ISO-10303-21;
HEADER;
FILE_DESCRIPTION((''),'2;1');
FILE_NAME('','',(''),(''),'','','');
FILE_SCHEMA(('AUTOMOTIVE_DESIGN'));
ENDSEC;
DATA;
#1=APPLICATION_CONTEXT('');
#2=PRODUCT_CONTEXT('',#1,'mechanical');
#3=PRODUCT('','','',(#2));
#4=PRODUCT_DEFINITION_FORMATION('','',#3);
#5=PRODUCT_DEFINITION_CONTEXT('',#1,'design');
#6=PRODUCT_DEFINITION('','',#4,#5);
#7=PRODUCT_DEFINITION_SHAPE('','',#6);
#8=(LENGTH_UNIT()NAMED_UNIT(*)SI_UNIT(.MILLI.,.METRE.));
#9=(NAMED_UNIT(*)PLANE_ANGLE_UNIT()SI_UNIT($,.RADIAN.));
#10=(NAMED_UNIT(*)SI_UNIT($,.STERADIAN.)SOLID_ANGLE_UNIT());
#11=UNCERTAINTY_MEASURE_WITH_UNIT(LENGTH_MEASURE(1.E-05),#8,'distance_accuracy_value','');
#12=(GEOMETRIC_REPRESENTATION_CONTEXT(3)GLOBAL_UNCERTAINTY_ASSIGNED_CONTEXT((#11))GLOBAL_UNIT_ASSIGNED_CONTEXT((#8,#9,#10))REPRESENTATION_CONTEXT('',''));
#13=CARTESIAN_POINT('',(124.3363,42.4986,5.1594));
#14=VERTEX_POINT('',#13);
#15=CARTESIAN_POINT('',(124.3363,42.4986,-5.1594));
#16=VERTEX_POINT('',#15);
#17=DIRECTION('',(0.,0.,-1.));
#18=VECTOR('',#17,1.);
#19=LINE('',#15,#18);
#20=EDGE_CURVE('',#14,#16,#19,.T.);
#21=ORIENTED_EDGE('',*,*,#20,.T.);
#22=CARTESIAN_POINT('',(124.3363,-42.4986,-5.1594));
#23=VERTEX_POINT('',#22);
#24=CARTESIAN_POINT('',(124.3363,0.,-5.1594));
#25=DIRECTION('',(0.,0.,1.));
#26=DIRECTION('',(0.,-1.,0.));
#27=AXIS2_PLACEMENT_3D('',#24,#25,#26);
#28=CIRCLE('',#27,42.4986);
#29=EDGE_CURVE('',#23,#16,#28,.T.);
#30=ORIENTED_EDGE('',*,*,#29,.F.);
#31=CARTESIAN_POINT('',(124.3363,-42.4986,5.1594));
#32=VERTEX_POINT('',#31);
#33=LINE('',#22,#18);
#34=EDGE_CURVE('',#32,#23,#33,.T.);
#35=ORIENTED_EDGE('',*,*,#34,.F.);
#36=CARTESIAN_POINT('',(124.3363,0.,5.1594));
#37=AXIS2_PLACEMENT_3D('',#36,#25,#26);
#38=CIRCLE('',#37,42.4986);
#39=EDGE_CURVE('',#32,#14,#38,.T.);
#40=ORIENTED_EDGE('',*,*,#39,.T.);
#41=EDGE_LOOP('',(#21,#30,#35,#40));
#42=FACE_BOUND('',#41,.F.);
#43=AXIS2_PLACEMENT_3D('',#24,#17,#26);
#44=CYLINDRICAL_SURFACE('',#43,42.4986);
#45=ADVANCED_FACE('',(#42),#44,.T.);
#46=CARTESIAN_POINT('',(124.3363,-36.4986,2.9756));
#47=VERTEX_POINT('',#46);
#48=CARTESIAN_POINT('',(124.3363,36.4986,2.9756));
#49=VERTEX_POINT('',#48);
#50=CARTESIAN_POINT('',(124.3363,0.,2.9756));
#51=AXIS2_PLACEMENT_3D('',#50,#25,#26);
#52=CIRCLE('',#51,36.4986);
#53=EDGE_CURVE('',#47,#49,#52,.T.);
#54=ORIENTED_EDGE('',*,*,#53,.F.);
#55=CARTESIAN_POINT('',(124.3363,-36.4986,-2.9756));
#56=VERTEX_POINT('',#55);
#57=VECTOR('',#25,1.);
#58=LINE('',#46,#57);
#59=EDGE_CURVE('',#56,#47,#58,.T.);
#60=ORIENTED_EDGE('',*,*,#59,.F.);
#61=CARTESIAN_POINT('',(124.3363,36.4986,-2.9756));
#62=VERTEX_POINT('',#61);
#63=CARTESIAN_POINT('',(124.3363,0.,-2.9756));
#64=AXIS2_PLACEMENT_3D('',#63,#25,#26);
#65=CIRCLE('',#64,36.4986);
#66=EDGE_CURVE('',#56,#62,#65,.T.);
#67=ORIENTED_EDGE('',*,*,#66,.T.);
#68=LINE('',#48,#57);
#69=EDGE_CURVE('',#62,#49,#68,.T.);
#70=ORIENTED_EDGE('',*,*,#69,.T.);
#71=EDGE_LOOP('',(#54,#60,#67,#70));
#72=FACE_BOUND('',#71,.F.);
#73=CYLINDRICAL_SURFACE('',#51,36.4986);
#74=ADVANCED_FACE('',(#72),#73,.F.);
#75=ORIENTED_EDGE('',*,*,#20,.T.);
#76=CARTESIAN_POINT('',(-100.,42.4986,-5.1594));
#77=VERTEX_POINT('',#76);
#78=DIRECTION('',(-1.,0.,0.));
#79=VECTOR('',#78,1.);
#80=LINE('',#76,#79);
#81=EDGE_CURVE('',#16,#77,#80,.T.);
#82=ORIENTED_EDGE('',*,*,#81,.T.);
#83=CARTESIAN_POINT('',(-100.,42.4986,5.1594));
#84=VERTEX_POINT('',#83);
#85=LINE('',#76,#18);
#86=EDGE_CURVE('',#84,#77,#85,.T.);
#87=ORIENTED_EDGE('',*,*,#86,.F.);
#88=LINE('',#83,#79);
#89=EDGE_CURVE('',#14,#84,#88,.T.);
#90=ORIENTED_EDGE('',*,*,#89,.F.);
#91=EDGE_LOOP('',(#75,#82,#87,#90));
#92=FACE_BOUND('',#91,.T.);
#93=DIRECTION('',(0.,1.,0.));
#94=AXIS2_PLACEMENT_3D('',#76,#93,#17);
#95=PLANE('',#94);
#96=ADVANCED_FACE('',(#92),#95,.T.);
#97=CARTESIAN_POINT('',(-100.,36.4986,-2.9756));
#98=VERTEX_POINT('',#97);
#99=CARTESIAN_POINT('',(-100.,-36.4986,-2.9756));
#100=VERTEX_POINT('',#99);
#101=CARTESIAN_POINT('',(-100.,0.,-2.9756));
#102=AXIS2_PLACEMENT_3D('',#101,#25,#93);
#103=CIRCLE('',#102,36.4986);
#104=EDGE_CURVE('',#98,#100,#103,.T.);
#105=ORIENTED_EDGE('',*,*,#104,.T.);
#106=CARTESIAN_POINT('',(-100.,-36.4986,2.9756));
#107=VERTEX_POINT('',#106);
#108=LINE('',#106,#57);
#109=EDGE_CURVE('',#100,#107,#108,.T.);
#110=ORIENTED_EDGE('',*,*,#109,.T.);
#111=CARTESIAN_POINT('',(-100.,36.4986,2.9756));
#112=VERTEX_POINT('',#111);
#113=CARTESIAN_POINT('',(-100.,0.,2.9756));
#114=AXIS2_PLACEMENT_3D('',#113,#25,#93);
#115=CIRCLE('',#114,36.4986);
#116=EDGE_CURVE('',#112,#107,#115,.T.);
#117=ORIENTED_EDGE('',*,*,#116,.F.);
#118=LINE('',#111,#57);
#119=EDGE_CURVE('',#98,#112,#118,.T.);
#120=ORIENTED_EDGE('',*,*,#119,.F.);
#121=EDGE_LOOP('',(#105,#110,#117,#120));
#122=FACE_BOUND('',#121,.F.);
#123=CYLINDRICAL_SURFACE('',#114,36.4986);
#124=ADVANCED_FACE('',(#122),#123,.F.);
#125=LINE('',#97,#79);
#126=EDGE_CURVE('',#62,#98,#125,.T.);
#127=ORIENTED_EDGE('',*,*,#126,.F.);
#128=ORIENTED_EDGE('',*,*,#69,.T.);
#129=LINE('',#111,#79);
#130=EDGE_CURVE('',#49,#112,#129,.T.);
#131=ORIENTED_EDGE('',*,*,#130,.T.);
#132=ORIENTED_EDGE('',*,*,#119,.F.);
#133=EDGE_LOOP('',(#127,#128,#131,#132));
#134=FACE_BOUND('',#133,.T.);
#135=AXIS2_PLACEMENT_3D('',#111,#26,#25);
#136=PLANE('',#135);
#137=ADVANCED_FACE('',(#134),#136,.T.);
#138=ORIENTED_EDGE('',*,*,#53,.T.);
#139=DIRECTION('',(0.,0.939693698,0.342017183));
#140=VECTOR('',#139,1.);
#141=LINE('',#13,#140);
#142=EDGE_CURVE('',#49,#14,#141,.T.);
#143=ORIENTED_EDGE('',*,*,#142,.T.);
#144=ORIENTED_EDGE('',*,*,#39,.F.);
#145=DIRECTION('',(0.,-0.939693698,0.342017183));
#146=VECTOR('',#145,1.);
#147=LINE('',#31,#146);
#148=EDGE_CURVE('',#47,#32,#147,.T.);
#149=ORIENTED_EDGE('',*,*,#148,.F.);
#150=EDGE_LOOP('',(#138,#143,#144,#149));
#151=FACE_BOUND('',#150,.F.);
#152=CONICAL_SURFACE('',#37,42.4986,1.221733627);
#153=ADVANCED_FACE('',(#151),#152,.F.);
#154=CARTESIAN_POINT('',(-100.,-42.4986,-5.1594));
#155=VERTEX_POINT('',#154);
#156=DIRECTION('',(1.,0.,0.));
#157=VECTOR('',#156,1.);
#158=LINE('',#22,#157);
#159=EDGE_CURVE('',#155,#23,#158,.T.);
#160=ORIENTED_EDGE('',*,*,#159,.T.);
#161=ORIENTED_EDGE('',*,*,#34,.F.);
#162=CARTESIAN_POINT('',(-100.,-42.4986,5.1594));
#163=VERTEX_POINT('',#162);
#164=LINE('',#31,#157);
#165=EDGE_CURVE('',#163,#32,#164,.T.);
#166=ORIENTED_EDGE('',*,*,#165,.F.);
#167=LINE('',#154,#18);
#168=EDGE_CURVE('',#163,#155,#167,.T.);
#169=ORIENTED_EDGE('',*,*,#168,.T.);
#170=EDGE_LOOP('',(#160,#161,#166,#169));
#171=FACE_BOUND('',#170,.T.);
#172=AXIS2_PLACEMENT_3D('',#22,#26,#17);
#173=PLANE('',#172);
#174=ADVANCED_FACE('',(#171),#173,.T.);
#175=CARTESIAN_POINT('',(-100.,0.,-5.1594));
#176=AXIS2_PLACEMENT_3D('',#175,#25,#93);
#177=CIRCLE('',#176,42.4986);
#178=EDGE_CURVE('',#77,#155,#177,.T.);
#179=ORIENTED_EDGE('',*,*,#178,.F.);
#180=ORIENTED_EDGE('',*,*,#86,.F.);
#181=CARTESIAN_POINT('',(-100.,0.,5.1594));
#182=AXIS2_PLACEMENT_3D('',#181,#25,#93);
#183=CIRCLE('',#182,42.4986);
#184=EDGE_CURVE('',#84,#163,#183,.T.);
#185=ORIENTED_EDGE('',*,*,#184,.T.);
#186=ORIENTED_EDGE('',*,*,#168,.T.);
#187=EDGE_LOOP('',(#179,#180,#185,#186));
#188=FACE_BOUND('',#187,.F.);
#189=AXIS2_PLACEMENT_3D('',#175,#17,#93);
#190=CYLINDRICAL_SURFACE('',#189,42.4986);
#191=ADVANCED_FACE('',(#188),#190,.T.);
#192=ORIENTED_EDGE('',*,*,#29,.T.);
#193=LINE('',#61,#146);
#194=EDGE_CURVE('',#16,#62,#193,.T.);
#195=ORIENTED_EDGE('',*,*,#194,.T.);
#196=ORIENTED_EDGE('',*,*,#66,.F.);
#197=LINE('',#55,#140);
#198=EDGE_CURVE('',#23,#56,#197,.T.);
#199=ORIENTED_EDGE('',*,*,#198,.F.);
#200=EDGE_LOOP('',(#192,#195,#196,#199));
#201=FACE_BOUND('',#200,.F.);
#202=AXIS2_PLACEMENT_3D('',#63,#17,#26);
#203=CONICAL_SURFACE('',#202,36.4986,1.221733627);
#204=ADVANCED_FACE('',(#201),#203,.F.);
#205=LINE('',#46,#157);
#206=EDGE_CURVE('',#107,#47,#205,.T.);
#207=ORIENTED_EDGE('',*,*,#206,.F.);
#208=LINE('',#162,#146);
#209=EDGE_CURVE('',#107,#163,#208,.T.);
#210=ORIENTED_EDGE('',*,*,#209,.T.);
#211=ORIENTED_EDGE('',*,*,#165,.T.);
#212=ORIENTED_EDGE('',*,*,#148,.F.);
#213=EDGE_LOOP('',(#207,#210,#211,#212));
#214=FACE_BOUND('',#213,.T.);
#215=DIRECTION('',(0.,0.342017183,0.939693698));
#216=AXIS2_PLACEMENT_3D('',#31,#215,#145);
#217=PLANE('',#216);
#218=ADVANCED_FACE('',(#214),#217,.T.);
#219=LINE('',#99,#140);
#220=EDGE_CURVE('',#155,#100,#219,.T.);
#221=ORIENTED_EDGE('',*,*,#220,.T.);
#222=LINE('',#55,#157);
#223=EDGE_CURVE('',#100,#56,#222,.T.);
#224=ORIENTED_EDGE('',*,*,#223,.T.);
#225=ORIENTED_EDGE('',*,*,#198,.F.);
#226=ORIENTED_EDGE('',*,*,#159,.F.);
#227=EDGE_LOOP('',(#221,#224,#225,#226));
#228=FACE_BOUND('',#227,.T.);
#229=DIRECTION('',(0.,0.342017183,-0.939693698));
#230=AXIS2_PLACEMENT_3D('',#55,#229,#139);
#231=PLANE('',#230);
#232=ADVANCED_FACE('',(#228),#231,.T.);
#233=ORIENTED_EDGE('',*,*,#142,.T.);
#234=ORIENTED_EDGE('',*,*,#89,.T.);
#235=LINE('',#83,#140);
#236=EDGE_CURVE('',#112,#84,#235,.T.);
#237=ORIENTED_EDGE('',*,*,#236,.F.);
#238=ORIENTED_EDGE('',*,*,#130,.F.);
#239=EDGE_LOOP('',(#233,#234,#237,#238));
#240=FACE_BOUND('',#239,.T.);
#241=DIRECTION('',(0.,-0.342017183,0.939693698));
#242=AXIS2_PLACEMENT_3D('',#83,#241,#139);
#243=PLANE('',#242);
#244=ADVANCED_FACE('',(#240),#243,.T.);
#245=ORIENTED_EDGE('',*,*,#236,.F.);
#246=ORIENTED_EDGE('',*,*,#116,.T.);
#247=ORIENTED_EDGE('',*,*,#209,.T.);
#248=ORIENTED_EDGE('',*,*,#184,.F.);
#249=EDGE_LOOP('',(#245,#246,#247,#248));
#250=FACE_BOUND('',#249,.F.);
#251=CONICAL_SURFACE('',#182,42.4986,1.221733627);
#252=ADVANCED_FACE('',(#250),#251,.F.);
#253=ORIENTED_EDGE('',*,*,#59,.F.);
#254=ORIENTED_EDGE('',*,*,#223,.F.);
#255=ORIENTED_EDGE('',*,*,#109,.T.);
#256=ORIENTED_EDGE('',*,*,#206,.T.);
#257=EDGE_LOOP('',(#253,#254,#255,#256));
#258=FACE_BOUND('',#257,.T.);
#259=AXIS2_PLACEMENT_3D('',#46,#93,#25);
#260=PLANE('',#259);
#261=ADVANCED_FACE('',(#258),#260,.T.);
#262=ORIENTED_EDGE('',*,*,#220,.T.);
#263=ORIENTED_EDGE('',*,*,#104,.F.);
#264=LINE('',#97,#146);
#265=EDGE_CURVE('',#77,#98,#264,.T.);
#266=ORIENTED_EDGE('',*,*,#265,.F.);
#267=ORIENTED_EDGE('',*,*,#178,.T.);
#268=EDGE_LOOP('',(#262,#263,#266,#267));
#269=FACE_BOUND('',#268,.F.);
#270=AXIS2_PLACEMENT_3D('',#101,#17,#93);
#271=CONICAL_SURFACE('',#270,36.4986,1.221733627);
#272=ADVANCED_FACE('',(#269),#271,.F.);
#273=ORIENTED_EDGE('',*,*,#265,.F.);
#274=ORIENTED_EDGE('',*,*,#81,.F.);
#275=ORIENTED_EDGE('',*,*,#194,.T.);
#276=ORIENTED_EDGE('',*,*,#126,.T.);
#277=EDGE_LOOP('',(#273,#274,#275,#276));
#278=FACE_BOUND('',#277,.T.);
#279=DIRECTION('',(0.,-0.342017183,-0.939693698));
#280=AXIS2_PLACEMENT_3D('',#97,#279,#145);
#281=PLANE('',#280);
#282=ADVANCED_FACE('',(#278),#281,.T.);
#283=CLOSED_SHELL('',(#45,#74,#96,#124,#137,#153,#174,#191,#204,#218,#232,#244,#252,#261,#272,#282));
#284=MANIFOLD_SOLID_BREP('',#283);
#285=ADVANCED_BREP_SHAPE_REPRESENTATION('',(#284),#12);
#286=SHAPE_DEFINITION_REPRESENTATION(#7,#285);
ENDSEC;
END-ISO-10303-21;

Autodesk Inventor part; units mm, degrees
ref_plane "YZ Plane" through (0, 0, 0) normal (1, 0, 0) x (0, 1, 0)
ref_plane "XZ Plane" through (0, 0, 0) normal (0, 1, 0) x (-1, 0, 0)
sketch "Sketch Path" plane through (0, 0, 0) normal (0, 0, 1) x (1, 0, 0)
  arc A0 (-100, 40) -> (-100, -40) centre (-100, 0) ccw
  arc A1 (124.3363, -40) -> (124.3363, 40) centre (124.3363, 0) ccw
  line L0 (124.3363, -40) -> (-100, -40)
  line L1 (-100, 40) -> (124.3363, 40)
ref_plane "Cross Section Plane" through (-100, -40, 0) normal (1, 0, 0) x (0, 0, 1)
sketch "Cross Section" plane through (-100, -40, 0) normal (1, 0, 0) x (0, 0, 1)
  line L0 (0, 2.4986) -> (0, -3.5014) construction
  line L1 (-4.25, 0) -> (4.25, 0) construction
  line L2 (-5.1594, 2.4986) -> (5.1594, 2.4986)
  line L3 (5.1594, 2.4986) -> (2.9756, -3.5014)
  line L4 (2.9756, -3.5014) -> (-2.9756, -3.5014)
  line L5 (-2.9756, -3.5014) -> (-5.1594, 2.4986)
  point P0 (0, 0)
  point P1 (0, 0)
  point P2 (0, 0)
  dimension "d0" = 8.5
  dimension "d1" = 2.4986
  dimension "d2" = 40
  dimension "d3" = 6
sweep "Belt" add profiles "Cross Section" path "Sketch Path"
equation "\"d0\" = da_Bw"
equation "\"d1\" = da_Hw"
equation "\"d2\" = da_Alfa"
equation "\"d3\" = da_H"
equation "\"da_Alfa\" = 40deg"
equation "\"da_H\" = 6"
equation "\"da_Bw\" = 8.5"
equation "\"da_Hw\" = 2.49859"
properties part number "V-Belt" material "Rubber"
